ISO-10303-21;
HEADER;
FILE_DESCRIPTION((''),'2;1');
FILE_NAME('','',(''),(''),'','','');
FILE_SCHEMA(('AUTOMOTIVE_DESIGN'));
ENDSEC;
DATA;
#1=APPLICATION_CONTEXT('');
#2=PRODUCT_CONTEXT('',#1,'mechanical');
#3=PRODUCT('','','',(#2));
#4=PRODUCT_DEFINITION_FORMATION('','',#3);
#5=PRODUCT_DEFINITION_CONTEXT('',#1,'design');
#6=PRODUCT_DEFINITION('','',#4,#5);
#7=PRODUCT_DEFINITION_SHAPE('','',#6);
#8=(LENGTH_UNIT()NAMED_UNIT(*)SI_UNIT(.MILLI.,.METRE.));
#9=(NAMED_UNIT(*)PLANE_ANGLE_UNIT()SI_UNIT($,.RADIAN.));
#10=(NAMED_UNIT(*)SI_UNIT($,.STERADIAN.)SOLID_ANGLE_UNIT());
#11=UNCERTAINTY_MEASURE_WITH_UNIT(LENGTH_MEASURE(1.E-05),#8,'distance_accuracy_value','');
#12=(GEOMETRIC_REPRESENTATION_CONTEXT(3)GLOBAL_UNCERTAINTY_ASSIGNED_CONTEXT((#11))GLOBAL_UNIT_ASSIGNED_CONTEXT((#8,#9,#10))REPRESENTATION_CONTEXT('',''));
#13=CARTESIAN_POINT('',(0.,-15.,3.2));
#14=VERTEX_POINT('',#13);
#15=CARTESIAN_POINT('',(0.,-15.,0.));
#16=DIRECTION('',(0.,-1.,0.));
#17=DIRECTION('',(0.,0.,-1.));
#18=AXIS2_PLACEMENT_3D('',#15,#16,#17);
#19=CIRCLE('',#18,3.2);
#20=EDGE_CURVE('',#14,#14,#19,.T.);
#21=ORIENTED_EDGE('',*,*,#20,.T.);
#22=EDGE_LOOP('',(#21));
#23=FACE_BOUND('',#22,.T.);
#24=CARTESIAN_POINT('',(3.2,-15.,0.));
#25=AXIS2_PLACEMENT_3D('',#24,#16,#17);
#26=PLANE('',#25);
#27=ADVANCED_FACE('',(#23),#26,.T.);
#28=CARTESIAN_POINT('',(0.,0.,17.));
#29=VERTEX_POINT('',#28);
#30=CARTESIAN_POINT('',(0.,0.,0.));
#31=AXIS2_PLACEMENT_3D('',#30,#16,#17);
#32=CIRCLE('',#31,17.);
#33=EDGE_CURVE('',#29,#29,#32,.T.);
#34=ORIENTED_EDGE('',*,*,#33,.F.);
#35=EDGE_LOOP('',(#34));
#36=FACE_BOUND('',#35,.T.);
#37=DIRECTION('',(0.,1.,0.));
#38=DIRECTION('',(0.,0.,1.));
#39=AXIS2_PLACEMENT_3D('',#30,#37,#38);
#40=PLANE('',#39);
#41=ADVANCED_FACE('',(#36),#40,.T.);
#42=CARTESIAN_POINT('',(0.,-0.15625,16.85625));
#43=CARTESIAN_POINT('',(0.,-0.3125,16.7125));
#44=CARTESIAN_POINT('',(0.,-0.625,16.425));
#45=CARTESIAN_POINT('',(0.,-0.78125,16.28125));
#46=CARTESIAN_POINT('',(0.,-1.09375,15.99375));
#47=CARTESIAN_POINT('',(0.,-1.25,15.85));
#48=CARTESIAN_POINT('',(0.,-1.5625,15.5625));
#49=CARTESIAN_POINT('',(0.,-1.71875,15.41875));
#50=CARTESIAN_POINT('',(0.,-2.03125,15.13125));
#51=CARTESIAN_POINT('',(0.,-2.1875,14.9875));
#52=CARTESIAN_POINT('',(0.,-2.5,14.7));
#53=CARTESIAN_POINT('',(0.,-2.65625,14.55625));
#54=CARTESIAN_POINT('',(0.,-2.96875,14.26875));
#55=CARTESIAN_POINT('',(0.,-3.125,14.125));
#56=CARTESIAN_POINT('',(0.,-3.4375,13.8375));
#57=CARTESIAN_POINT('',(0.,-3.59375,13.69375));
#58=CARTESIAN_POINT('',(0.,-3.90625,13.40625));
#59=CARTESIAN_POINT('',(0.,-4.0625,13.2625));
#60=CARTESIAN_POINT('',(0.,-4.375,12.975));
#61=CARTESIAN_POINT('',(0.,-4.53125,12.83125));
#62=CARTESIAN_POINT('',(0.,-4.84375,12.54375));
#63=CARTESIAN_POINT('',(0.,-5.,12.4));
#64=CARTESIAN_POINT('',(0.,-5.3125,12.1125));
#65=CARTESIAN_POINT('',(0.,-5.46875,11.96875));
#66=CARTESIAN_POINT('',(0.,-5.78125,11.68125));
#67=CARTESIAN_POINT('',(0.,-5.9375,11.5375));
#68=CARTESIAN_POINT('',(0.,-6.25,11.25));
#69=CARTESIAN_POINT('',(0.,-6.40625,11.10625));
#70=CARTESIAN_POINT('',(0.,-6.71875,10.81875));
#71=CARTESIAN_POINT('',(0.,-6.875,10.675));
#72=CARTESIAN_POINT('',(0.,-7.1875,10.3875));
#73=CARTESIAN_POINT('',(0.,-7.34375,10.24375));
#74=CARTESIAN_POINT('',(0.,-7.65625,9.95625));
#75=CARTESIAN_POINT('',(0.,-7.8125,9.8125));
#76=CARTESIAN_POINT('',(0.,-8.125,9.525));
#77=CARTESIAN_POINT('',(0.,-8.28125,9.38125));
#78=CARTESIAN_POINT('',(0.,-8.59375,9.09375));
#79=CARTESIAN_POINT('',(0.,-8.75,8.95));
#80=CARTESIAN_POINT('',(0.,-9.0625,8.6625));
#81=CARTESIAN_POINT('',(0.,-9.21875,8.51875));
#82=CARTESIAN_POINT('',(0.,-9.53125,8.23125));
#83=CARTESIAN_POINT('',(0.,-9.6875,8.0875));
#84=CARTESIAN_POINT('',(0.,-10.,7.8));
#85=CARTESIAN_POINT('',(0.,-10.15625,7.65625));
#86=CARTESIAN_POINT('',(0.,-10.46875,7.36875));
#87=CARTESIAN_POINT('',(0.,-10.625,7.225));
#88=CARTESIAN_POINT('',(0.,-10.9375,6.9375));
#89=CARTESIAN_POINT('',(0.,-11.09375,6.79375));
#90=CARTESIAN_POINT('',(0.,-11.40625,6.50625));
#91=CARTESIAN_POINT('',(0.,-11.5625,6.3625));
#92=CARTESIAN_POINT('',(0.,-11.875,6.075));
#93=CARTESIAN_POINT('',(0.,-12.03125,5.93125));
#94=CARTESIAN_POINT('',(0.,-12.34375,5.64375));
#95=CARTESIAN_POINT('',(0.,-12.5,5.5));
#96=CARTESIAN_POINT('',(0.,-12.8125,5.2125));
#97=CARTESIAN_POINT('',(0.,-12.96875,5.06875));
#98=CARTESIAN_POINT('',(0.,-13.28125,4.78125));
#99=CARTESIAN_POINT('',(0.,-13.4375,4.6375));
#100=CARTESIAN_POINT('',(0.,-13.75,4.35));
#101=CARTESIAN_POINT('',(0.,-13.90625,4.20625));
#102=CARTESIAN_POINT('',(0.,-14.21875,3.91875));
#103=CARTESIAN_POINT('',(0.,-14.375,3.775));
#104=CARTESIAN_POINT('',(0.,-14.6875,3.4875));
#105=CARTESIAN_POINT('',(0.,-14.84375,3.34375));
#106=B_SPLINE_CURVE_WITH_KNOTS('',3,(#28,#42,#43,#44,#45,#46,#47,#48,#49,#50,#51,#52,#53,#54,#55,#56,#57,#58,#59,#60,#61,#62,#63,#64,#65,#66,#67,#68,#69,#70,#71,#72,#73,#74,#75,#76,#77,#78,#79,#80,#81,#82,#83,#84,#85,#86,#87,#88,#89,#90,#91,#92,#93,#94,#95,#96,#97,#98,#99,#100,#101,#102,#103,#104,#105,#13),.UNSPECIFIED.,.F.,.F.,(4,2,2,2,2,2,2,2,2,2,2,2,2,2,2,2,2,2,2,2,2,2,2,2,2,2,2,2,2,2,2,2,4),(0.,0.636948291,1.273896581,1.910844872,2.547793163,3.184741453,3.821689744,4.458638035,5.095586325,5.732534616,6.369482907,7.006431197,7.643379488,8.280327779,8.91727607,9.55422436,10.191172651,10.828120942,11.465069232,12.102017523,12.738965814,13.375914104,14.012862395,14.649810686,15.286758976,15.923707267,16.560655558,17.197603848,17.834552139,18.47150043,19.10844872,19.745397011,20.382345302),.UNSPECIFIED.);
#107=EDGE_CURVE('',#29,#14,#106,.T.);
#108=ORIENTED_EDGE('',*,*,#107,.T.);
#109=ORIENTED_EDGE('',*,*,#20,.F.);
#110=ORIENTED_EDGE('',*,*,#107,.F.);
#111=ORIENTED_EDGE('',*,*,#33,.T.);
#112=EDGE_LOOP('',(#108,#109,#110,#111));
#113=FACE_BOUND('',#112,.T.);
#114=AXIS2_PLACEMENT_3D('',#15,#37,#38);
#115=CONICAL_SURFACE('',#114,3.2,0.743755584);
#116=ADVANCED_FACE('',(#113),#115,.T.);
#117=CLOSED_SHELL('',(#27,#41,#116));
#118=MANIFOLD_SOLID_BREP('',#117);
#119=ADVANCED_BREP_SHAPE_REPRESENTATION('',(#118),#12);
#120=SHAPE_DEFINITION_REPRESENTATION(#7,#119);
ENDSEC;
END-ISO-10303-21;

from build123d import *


with BuildPart() as part:
    # Sketch1 → Cono_de_union (revolve)
    with BuildSketch(Plane.XY, mode=Mode.PRIVATE) as cono_de_union_sk:
        Polygon((0, 0), (17, 0), (3.2, -15), (0, -15), align=None)
    revolve(cono_de_union_sk.sketch.rotate(Axis((0, -19, 0), (0, 1, 0)), 270), axis=Axis((0, -19, 0), (0, 1, 0)))


solid = part.part
